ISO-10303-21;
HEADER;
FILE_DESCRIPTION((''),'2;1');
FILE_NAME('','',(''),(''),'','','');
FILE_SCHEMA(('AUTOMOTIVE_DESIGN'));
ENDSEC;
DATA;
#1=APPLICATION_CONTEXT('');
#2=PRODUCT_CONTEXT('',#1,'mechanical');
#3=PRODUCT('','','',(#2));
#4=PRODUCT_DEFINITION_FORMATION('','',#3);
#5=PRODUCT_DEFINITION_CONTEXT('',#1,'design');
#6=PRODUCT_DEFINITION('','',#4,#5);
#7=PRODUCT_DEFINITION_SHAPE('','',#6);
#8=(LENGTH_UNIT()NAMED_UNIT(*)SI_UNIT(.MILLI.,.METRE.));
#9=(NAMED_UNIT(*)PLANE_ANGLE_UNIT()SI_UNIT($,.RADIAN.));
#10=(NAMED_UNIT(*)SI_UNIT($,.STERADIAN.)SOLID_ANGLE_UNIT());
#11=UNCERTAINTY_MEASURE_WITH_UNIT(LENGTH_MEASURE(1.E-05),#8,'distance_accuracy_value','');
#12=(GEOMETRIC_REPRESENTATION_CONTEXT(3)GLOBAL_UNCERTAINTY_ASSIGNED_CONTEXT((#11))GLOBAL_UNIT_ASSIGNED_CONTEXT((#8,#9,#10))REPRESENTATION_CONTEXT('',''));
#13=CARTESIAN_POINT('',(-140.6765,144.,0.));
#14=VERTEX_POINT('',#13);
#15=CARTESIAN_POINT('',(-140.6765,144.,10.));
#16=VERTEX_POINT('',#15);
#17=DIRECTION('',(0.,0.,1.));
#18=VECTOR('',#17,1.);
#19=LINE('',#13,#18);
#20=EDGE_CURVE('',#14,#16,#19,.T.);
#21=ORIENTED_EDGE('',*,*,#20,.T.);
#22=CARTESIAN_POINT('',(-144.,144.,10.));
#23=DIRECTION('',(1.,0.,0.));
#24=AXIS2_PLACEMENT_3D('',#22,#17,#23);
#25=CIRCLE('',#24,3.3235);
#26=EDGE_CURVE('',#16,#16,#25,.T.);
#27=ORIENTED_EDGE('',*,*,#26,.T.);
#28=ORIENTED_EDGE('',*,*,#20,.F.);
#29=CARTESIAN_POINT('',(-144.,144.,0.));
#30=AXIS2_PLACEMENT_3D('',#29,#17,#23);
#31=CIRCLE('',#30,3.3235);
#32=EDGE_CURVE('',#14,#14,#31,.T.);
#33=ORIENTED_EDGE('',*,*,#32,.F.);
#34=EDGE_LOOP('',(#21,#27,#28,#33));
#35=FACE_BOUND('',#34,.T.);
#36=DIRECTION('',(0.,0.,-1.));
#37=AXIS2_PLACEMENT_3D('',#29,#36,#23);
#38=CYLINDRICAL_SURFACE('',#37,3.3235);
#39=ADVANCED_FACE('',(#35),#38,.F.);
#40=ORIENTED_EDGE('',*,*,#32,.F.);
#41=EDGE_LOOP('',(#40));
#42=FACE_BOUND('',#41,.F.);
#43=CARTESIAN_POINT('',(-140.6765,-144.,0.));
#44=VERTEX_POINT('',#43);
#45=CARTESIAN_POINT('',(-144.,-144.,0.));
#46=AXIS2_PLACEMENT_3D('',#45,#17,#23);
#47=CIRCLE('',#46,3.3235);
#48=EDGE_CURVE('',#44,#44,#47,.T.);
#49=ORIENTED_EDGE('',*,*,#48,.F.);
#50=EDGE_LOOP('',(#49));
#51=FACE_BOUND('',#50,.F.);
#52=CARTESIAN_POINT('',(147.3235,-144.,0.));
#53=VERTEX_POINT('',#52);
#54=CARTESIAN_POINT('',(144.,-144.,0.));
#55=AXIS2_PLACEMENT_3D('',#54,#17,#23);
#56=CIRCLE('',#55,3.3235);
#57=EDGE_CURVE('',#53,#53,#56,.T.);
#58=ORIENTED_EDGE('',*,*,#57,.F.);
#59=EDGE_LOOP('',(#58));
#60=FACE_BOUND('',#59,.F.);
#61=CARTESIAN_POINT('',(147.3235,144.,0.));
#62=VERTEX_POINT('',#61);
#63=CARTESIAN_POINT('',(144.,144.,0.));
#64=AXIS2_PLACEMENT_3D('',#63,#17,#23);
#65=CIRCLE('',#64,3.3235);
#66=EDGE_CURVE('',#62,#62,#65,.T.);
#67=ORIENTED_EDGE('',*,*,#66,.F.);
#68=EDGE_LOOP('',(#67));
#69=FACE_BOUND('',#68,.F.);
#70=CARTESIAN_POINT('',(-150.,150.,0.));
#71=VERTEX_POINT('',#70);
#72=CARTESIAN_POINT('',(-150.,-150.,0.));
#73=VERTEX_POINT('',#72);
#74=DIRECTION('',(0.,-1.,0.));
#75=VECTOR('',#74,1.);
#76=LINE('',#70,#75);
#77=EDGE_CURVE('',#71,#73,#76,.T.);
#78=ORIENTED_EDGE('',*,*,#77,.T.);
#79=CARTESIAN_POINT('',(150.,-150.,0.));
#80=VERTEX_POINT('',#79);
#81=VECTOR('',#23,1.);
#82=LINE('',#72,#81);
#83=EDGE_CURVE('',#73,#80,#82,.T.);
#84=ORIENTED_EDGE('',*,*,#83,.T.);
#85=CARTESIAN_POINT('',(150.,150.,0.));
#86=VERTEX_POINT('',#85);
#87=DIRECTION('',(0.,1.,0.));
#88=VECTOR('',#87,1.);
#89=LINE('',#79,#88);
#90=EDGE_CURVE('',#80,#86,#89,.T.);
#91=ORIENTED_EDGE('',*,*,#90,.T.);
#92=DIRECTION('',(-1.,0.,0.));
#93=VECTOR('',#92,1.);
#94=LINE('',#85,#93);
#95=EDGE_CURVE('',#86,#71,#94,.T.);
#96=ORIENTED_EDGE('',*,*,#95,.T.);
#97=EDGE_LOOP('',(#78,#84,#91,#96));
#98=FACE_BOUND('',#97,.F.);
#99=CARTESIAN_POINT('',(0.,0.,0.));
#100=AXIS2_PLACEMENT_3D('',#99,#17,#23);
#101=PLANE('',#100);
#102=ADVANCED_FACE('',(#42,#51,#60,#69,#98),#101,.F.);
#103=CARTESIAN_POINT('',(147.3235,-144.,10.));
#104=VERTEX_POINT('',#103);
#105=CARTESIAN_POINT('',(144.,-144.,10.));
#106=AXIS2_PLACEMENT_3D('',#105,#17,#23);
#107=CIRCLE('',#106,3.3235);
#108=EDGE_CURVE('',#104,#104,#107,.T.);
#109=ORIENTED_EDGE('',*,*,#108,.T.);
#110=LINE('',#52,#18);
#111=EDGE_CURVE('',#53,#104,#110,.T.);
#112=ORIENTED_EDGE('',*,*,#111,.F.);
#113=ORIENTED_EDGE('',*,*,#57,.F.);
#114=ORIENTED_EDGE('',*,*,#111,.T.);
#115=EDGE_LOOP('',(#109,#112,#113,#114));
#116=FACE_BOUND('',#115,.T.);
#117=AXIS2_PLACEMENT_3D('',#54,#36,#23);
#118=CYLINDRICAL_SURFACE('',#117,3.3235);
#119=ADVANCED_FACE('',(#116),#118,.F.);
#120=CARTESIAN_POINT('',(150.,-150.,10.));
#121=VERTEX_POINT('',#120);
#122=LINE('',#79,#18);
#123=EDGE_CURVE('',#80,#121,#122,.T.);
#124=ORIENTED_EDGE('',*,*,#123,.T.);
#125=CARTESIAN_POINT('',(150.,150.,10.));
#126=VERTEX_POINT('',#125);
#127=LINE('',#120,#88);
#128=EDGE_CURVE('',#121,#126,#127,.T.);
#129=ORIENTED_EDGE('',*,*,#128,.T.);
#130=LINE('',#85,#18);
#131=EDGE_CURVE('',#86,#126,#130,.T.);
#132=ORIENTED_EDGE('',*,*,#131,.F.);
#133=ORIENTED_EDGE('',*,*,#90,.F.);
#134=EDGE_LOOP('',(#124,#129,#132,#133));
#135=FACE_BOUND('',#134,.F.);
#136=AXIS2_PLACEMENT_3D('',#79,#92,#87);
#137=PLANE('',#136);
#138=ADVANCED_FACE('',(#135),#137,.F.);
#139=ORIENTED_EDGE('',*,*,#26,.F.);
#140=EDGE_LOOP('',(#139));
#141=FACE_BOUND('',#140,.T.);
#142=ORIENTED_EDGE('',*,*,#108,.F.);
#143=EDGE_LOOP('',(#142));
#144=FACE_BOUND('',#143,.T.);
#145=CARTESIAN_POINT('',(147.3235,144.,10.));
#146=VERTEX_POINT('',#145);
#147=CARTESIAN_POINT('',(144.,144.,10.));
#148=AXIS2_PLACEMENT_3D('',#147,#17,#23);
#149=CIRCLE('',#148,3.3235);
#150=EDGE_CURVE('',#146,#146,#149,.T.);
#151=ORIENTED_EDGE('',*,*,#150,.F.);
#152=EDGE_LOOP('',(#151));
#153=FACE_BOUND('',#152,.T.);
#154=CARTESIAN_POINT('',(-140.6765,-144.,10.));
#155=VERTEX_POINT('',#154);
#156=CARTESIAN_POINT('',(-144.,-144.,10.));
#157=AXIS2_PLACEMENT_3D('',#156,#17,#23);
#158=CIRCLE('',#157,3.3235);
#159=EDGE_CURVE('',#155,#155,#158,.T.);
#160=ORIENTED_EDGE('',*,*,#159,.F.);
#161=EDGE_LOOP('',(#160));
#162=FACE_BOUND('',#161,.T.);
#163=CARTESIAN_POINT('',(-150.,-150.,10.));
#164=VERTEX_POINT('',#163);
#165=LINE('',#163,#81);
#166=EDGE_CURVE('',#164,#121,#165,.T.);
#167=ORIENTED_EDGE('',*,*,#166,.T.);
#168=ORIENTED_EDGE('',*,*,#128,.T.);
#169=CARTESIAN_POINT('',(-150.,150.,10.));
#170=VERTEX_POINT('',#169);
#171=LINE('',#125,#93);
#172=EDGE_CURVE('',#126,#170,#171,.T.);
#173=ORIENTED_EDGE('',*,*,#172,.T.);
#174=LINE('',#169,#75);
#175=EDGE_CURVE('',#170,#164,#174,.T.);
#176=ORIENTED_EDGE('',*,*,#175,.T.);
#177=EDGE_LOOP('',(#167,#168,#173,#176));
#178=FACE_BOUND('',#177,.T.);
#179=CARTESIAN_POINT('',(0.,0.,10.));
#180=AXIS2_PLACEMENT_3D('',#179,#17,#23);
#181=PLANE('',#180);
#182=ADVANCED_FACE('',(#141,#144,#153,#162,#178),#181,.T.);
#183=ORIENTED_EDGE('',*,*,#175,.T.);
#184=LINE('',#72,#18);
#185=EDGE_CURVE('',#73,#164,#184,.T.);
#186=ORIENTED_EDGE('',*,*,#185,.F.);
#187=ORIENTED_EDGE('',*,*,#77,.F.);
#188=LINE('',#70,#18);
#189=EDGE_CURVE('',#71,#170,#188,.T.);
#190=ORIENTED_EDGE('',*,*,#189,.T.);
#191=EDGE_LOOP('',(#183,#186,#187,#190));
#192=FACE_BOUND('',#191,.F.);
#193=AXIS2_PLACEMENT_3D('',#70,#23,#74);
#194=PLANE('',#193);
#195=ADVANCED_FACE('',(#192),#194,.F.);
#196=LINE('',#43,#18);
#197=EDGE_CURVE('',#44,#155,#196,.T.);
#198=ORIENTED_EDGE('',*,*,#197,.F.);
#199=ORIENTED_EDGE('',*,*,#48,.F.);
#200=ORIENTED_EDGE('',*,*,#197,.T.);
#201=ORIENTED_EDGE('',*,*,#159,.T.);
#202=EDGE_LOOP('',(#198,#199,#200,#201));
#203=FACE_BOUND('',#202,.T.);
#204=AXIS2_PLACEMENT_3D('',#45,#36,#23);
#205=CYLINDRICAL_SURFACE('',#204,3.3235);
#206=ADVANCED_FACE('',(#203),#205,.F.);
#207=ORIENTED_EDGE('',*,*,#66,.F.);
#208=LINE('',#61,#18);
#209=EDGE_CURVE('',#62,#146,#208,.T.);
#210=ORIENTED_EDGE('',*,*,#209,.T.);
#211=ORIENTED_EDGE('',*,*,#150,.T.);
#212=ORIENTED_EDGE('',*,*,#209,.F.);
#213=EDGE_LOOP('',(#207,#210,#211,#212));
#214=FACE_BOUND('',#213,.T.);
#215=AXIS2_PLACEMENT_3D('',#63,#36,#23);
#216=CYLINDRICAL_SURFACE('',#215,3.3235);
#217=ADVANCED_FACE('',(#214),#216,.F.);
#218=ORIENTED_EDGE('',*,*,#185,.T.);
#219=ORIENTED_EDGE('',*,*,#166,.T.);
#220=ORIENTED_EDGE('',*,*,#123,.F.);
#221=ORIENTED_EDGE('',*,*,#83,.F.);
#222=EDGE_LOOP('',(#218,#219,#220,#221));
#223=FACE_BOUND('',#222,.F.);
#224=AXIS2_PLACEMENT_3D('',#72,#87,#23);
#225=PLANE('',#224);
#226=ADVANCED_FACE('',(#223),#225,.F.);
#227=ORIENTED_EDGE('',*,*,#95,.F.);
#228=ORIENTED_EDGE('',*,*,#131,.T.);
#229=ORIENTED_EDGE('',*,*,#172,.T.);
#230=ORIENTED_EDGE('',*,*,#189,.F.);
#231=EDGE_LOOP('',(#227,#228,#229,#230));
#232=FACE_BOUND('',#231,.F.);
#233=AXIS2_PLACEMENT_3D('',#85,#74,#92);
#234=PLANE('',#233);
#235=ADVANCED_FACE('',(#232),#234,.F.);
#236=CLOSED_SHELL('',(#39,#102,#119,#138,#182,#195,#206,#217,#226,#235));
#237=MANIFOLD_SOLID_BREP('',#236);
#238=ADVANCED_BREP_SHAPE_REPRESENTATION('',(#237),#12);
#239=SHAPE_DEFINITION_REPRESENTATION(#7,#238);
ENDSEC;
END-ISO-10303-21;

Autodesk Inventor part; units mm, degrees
ref_plane "YZ Plane" through (0, 0, 0) normal (1, 0, 0) x (0, 1, 0)
ref_plane "XZ Plane" through (0, 0, 0) normal (0, 1, 0) x (-1, 0, 0)
ref_plane "XY Plane" through (0, 0, 0) normal (0, 0, 1) x (1, 0, 0)
sketch "Sketch1" plane through (0, 0, 0) normal (0, 0, 1) x (1, 0, 0)
  circle A0 centre (144, -144) radius 3.3235 projected
  circle A1 centre (-144, 144) radius 3.3235 projected
  circle A2 centre (144, 144) radius 3.3235 projected
  circle A3 centre (-144, -144) radius 3.3235 projected
  line L0 (140, 140) -> (140, -140) projected
  line L1 (140, -140) -> (-140, -140) projected
  line L2 (-140, -140) -> (-140, 140) projected
  line L3 (-140, 140) -> (140, 140) projected
  line L4 (150, 150) -> (-150, 150) projected
  line L5 (-150, 150) -> (-150, -150) projected
  line L6 (-150, -150) -> (150, -150) projected
  line L7 (150, -150) -> (150, 150) projected
  line L8 (-150, 150) -> (150, 150)
  line L9 (150, 150) -> (150, -150)
  line L10 (150, -150) -> (-150, -150)
  line L11 (-150, -150) -> (-150, 150)
  circle A4 centre (-144, 144) radius 3.3235
  circle A5 centre (144, 144) radius 3.3235
  circle A6 centre (144, -144) radius 3.3235
  circle A7 centre (-144, -144) radius 3.3235
  point P0 (0, 0)
extrude "Extrusion1" add sketch "Sketch1" along normal blind 10 contours L0 L1 L2 L3 | L7 L6 L5 L4
properties part number "aanstuurkast kap"
